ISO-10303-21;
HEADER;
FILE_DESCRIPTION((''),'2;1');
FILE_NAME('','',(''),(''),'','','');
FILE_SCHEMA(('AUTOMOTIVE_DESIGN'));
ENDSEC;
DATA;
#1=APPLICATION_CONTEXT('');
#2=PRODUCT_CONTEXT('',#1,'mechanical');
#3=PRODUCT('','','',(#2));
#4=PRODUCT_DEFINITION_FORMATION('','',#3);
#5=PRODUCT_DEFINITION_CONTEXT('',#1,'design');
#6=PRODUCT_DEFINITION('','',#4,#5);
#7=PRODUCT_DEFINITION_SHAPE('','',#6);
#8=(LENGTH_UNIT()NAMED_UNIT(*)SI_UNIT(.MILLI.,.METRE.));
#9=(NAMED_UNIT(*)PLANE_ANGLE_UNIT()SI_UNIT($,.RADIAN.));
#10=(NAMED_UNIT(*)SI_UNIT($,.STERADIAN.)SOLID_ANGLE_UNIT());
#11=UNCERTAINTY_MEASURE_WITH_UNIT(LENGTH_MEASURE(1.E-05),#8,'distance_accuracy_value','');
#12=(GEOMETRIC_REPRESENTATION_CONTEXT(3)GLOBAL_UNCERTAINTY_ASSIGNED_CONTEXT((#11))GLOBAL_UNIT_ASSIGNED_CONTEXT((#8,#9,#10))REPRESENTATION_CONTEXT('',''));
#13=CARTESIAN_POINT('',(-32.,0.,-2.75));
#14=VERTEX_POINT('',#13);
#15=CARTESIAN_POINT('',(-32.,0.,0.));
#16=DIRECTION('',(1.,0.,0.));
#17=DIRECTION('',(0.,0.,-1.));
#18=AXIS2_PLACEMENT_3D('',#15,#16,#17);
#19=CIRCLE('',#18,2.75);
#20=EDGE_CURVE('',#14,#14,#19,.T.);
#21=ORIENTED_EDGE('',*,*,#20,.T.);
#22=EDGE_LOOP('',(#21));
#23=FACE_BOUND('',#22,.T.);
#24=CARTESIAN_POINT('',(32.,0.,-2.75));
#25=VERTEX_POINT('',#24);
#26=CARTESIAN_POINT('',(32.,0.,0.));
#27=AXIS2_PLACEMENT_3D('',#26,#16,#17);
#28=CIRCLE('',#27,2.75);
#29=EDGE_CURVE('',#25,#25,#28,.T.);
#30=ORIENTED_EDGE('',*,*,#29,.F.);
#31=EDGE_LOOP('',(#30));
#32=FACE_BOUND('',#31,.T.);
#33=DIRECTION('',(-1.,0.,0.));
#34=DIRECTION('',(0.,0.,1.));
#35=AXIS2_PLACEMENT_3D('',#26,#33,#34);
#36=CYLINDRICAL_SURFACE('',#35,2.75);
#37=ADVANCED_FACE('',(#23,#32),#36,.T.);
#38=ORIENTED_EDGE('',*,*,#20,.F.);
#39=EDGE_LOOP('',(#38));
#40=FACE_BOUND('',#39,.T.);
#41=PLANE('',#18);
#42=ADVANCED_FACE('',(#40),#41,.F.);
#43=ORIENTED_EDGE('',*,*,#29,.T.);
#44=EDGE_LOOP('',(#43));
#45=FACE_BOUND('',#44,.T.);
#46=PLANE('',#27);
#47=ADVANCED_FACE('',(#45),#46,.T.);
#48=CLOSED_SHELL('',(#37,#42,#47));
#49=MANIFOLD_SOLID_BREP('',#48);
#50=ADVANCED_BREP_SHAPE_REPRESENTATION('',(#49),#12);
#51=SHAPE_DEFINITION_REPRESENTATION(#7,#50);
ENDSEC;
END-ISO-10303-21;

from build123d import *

# Parameters (mm, degrees)
SKETCH1_R           = 2.75
BOSS_EXTRUDE1_DEPTH = 32


with BuildPart() as part:
    # Sketch1 → Boss-Extrude1 (new body, symmetric)
    with BuildSketch(Plane(origin=(0, 0, 0), x_dir=(0, 0, -1), z_dir=(1, 0, 0))):
        Circle(SKETCH1_R)
    extrude(amount=BOSS_EXTRUDE1_DEPTH, both=True)


solid = part.part
